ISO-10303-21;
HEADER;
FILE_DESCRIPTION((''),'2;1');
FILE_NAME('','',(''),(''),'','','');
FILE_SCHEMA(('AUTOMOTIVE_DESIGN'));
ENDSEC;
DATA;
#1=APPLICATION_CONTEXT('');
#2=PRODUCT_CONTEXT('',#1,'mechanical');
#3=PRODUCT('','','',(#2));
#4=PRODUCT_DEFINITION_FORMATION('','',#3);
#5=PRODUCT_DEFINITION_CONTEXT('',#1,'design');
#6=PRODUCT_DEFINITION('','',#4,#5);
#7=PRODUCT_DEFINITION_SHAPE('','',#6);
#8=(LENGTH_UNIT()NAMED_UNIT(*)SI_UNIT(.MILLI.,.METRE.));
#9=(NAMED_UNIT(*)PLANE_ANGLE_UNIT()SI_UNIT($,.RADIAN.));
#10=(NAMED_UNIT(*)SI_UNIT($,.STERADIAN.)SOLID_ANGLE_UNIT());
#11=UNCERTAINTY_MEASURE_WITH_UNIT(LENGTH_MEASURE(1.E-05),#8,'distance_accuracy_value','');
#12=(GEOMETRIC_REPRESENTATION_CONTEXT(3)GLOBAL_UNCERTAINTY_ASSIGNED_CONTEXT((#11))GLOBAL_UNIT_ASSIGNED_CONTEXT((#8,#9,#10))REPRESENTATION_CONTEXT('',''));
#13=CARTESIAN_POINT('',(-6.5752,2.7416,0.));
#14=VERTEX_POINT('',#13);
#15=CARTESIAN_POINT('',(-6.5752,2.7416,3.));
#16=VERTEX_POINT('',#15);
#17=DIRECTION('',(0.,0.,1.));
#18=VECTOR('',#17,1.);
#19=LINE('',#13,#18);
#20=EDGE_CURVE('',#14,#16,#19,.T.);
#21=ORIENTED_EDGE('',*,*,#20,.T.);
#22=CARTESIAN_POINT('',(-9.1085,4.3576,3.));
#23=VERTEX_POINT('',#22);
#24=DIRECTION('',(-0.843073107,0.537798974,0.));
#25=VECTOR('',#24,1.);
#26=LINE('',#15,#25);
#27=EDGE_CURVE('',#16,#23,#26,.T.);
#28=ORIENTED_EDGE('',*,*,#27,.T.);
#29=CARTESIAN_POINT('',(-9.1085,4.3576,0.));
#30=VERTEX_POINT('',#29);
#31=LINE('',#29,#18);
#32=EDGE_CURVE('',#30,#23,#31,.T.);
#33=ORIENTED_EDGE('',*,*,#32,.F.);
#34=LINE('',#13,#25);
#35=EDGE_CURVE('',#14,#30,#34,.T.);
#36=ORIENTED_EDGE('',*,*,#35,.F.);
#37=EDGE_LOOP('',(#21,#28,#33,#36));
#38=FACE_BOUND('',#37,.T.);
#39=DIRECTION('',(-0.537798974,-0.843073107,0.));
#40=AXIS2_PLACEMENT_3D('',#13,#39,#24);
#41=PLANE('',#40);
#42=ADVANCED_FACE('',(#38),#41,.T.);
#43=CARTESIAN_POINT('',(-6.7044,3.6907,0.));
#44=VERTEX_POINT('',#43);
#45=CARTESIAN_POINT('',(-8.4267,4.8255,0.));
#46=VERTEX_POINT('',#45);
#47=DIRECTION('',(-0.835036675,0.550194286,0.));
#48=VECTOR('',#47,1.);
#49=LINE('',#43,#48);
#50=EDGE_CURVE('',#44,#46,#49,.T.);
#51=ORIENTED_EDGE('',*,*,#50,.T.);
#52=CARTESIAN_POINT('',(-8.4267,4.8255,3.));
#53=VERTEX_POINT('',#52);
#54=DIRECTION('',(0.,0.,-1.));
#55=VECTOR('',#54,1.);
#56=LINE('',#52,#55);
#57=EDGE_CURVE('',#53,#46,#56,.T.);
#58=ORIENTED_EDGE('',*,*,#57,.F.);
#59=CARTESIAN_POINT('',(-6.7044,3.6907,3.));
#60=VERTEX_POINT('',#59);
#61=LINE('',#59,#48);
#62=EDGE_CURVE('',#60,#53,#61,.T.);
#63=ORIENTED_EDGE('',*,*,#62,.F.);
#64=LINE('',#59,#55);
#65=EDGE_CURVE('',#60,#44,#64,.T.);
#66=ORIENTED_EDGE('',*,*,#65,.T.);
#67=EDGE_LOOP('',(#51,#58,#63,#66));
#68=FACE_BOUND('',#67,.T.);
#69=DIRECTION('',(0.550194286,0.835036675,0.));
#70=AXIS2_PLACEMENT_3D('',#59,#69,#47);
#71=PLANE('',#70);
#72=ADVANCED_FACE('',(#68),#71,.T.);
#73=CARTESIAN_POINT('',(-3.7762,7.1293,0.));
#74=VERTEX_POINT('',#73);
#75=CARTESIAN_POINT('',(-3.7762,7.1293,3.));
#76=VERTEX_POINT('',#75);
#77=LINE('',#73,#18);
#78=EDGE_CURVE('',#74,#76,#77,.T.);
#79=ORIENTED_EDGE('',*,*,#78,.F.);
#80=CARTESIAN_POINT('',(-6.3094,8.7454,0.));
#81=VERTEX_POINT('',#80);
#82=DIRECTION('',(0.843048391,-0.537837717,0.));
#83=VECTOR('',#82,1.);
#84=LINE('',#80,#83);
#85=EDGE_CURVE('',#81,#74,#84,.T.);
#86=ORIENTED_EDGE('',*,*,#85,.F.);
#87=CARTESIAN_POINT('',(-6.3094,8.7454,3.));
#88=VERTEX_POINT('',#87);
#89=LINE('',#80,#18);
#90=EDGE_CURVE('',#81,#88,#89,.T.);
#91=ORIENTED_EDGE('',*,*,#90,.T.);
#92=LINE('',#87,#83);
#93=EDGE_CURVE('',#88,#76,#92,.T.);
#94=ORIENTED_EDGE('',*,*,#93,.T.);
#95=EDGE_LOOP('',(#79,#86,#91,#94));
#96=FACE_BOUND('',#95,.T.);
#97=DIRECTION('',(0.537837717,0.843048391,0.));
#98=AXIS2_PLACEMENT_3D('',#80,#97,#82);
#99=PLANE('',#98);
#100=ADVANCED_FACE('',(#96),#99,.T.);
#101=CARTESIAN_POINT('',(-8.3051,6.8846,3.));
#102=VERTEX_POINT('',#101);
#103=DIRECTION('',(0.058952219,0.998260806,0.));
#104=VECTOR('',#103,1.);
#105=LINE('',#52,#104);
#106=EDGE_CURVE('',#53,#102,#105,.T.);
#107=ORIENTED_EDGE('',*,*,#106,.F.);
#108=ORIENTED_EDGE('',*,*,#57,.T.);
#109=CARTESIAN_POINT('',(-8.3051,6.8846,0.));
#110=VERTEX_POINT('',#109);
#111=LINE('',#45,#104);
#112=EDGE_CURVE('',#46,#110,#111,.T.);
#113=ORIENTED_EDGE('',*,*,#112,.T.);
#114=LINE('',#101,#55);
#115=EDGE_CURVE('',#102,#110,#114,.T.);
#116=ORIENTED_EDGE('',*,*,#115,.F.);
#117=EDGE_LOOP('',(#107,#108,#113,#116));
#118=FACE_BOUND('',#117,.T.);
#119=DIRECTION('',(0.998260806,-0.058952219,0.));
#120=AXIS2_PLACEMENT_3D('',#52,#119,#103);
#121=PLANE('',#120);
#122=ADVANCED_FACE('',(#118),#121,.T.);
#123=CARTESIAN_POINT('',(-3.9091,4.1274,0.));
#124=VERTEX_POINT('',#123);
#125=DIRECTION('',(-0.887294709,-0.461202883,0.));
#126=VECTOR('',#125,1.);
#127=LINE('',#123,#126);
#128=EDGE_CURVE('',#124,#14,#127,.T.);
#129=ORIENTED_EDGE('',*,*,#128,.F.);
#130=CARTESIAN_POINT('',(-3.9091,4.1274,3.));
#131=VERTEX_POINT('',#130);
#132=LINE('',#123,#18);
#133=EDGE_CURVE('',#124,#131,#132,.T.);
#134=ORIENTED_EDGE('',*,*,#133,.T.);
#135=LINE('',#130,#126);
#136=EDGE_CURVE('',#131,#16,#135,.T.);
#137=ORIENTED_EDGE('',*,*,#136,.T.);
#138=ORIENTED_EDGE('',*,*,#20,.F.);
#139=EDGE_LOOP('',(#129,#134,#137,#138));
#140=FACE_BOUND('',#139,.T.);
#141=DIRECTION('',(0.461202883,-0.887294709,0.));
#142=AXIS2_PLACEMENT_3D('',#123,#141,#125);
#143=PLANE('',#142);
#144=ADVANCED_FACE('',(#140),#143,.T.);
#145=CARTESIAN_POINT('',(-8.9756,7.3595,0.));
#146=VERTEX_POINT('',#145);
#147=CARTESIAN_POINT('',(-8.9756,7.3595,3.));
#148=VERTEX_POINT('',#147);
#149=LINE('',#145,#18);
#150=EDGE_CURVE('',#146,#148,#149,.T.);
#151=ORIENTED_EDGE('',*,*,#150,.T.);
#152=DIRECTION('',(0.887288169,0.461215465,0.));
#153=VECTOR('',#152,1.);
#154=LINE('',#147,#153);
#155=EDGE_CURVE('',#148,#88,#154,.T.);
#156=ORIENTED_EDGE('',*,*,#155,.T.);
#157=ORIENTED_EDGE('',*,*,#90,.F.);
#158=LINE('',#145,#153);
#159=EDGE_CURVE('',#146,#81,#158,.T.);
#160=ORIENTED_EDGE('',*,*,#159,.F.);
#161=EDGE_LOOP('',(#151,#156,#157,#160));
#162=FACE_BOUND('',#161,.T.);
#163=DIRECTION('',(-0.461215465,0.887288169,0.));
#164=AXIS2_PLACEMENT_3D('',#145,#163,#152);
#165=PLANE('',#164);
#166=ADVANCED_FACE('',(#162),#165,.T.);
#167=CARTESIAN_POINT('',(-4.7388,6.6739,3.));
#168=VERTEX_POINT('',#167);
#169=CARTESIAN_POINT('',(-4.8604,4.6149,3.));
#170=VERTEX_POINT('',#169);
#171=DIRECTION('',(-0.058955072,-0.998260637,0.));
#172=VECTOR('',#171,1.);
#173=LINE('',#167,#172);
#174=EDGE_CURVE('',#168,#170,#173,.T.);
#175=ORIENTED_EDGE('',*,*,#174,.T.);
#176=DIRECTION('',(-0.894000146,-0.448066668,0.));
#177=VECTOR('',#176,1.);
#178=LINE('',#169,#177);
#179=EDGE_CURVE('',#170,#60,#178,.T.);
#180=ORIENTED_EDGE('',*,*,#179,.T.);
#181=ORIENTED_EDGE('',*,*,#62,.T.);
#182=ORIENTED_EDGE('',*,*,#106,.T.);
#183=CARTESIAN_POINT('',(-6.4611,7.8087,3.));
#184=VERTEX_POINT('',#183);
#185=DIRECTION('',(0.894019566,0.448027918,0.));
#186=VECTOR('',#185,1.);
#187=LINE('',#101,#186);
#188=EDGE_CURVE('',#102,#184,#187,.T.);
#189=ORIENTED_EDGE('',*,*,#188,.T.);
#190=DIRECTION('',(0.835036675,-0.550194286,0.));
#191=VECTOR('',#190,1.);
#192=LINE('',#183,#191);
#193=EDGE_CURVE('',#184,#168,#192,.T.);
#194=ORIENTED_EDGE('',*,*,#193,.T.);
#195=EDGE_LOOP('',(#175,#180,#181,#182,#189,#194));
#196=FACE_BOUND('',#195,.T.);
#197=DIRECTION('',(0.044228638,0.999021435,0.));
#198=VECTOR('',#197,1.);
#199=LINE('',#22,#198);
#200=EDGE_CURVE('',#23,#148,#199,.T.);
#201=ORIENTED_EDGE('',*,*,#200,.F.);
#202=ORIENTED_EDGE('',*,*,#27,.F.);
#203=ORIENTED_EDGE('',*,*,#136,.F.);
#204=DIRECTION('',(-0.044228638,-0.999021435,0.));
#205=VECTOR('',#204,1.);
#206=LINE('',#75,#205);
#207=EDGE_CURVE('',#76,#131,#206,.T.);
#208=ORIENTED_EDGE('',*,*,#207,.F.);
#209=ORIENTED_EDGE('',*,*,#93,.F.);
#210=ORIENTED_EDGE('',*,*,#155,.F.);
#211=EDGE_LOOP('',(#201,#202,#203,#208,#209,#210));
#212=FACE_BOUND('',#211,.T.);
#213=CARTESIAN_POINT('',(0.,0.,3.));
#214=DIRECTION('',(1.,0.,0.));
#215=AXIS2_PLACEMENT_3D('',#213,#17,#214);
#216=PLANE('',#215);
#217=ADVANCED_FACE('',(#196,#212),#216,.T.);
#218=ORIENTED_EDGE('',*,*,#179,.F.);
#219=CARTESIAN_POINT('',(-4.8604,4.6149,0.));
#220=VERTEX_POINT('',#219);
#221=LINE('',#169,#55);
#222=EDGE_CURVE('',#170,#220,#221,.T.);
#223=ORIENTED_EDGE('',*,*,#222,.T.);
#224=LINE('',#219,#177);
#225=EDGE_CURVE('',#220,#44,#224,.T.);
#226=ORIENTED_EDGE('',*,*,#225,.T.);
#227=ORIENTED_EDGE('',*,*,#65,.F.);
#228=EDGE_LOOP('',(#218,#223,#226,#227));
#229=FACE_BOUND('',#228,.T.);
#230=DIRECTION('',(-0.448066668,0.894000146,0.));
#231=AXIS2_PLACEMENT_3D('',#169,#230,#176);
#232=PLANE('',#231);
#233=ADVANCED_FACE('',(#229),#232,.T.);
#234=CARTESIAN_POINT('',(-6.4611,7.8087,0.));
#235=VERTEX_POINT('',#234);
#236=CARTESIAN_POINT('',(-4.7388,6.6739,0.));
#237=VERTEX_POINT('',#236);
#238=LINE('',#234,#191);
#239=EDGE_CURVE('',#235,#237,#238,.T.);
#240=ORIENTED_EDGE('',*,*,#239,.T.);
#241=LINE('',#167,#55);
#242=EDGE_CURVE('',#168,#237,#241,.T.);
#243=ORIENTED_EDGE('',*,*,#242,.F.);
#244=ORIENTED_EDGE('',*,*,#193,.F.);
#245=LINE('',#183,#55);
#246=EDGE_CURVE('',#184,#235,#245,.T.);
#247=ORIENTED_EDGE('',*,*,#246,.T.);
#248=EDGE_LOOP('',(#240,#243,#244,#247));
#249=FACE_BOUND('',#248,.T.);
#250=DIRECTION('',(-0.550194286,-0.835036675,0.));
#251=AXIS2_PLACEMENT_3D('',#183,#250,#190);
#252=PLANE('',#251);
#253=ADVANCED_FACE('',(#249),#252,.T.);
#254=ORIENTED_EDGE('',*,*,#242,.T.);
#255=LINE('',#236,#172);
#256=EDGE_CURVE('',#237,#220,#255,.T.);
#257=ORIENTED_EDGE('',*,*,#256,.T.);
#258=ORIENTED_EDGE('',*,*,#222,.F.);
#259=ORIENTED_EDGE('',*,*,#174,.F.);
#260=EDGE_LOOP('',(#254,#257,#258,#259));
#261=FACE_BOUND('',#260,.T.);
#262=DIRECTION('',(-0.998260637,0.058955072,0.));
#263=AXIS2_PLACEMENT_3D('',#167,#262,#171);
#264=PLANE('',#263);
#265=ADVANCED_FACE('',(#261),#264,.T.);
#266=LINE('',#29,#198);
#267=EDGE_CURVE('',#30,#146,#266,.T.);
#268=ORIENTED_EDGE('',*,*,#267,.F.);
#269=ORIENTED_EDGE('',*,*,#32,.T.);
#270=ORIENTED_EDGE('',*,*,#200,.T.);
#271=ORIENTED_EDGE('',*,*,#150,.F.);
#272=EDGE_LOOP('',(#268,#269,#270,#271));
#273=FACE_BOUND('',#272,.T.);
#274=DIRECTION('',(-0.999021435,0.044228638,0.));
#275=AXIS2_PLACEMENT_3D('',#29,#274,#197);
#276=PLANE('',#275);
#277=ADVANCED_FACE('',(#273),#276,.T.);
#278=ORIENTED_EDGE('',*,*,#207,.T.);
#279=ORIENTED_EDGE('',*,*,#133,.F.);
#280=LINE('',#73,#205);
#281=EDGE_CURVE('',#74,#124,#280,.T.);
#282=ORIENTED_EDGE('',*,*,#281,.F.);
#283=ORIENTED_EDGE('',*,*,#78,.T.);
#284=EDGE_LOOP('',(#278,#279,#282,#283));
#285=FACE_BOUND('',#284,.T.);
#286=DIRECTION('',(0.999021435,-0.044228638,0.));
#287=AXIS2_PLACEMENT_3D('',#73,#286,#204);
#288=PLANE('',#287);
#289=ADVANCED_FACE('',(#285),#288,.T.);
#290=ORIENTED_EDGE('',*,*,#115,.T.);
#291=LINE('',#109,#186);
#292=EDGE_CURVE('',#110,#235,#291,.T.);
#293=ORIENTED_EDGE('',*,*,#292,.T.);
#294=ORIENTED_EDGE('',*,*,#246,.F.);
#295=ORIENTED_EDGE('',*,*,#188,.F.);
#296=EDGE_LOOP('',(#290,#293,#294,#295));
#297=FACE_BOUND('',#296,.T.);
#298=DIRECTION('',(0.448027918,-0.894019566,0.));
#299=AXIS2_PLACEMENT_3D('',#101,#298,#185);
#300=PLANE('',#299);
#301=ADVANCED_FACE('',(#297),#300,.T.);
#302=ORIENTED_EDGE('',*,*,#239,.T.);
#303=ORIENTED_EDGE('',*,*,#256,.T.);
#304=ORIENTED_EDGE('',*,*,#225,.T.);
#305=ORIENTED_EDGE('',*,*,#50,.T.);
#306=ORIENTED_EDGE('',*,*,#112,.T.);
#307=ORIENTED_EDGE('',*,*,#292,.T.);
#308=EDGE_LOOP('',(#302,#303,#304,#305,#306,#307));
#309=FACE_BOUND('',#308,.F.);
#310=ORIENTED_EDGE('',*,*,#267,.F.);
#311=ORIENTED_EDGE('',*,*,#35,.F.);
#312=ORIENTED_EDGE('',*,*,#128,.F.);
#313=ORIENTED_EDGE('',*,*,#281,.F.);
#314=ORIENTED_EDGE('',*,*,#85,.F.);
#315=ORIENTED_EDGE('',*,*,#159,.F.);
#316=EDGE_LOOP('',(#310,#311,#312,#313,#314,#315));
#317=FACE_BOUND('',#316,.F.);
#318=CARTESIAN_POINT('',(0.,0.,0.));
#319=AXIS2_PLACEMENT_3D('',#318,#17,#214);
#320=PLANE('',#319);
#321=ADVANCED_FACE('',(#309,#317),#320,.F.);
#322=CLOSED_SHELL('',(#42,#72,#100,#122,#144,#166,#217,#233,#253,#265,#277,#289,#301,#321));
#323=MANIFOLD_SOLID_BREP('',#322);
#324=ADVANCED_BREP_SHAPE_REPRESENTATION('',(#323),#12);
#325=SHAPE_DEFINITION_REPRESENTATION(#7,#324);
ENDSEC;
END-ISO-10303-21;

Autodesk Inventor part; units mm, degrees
ref_plane "YZ Plane" through (0, 0, 0) normal (1, 0, 0) x (0, 1, 0)
ref_plane "XZ Plane" through (0, 0, 0) normal (0, 1, 0) x (-1, 0, 0)
ref_plane "XY Plane" through (0, 0, 0) normal (0, 0, 1) x (1, 0, 0)
sketch "Sketch1" plane through (0, 0, 0) normal (0, 0, 1) x (1, 0, 0)
  line L0 (-3.9091, 4.1274) -> (-6.5752, 2.7416)
  line L1 (-6.5752, 2.7416) -> (-9.1085, 4.3576)
  line L2 (-9.1085, 4.3576) -> (-8.9756, 7.3595)
  line L3 (-8.9756, 7.3595) -> (-6.3094, 8.7454)
  line L4 (-6.3094, 8.7454) -> (-3.7762, 7.1293)
  line L5 (-3.7762, 7.1293) -> (-3.9091, 4.1274)
  point P0 (0, 0)
  point P1 (-6.4423, 5.7435)
extrude "Extrusion1" add sketch "Sketch1" along normal blind 3
sketch "Sketch2" plane through (0, 0, 3) normal (0, 0, 1) x (1, 0, 0)
  line L0 (-6.7044, 3.6907) -> (-8.4267, 4.8255)
  line L1 (-8.4267, 4.8255) -> (-8.3051, 6.8846)
  line L2 (-8.3051, 6.8846) -> (-6.4611, 7.8087)
  line L3 (-6.4611, 7.8087) -> (-4.7388, 6.6739)
  line L4 (-4.7388, 6.6739) -> (-4.8604, 4.6149)
  line L5 (-4.8604, 4.6149) -> (-6.7044, 3.6907)
  line L6 (-8.9756, 7.3595) -> (-9.1085, 4.3576) projected
  point P0 (0, 0)
  point P1 (-6.5827, 5.7497)
  point P2 (-9.042, 5.8586)
  dimension "d2" = 2.4617
extrude "Extrusion2" cut sketch "Sketch2" against normal blind 3
properties part number "bolt"
